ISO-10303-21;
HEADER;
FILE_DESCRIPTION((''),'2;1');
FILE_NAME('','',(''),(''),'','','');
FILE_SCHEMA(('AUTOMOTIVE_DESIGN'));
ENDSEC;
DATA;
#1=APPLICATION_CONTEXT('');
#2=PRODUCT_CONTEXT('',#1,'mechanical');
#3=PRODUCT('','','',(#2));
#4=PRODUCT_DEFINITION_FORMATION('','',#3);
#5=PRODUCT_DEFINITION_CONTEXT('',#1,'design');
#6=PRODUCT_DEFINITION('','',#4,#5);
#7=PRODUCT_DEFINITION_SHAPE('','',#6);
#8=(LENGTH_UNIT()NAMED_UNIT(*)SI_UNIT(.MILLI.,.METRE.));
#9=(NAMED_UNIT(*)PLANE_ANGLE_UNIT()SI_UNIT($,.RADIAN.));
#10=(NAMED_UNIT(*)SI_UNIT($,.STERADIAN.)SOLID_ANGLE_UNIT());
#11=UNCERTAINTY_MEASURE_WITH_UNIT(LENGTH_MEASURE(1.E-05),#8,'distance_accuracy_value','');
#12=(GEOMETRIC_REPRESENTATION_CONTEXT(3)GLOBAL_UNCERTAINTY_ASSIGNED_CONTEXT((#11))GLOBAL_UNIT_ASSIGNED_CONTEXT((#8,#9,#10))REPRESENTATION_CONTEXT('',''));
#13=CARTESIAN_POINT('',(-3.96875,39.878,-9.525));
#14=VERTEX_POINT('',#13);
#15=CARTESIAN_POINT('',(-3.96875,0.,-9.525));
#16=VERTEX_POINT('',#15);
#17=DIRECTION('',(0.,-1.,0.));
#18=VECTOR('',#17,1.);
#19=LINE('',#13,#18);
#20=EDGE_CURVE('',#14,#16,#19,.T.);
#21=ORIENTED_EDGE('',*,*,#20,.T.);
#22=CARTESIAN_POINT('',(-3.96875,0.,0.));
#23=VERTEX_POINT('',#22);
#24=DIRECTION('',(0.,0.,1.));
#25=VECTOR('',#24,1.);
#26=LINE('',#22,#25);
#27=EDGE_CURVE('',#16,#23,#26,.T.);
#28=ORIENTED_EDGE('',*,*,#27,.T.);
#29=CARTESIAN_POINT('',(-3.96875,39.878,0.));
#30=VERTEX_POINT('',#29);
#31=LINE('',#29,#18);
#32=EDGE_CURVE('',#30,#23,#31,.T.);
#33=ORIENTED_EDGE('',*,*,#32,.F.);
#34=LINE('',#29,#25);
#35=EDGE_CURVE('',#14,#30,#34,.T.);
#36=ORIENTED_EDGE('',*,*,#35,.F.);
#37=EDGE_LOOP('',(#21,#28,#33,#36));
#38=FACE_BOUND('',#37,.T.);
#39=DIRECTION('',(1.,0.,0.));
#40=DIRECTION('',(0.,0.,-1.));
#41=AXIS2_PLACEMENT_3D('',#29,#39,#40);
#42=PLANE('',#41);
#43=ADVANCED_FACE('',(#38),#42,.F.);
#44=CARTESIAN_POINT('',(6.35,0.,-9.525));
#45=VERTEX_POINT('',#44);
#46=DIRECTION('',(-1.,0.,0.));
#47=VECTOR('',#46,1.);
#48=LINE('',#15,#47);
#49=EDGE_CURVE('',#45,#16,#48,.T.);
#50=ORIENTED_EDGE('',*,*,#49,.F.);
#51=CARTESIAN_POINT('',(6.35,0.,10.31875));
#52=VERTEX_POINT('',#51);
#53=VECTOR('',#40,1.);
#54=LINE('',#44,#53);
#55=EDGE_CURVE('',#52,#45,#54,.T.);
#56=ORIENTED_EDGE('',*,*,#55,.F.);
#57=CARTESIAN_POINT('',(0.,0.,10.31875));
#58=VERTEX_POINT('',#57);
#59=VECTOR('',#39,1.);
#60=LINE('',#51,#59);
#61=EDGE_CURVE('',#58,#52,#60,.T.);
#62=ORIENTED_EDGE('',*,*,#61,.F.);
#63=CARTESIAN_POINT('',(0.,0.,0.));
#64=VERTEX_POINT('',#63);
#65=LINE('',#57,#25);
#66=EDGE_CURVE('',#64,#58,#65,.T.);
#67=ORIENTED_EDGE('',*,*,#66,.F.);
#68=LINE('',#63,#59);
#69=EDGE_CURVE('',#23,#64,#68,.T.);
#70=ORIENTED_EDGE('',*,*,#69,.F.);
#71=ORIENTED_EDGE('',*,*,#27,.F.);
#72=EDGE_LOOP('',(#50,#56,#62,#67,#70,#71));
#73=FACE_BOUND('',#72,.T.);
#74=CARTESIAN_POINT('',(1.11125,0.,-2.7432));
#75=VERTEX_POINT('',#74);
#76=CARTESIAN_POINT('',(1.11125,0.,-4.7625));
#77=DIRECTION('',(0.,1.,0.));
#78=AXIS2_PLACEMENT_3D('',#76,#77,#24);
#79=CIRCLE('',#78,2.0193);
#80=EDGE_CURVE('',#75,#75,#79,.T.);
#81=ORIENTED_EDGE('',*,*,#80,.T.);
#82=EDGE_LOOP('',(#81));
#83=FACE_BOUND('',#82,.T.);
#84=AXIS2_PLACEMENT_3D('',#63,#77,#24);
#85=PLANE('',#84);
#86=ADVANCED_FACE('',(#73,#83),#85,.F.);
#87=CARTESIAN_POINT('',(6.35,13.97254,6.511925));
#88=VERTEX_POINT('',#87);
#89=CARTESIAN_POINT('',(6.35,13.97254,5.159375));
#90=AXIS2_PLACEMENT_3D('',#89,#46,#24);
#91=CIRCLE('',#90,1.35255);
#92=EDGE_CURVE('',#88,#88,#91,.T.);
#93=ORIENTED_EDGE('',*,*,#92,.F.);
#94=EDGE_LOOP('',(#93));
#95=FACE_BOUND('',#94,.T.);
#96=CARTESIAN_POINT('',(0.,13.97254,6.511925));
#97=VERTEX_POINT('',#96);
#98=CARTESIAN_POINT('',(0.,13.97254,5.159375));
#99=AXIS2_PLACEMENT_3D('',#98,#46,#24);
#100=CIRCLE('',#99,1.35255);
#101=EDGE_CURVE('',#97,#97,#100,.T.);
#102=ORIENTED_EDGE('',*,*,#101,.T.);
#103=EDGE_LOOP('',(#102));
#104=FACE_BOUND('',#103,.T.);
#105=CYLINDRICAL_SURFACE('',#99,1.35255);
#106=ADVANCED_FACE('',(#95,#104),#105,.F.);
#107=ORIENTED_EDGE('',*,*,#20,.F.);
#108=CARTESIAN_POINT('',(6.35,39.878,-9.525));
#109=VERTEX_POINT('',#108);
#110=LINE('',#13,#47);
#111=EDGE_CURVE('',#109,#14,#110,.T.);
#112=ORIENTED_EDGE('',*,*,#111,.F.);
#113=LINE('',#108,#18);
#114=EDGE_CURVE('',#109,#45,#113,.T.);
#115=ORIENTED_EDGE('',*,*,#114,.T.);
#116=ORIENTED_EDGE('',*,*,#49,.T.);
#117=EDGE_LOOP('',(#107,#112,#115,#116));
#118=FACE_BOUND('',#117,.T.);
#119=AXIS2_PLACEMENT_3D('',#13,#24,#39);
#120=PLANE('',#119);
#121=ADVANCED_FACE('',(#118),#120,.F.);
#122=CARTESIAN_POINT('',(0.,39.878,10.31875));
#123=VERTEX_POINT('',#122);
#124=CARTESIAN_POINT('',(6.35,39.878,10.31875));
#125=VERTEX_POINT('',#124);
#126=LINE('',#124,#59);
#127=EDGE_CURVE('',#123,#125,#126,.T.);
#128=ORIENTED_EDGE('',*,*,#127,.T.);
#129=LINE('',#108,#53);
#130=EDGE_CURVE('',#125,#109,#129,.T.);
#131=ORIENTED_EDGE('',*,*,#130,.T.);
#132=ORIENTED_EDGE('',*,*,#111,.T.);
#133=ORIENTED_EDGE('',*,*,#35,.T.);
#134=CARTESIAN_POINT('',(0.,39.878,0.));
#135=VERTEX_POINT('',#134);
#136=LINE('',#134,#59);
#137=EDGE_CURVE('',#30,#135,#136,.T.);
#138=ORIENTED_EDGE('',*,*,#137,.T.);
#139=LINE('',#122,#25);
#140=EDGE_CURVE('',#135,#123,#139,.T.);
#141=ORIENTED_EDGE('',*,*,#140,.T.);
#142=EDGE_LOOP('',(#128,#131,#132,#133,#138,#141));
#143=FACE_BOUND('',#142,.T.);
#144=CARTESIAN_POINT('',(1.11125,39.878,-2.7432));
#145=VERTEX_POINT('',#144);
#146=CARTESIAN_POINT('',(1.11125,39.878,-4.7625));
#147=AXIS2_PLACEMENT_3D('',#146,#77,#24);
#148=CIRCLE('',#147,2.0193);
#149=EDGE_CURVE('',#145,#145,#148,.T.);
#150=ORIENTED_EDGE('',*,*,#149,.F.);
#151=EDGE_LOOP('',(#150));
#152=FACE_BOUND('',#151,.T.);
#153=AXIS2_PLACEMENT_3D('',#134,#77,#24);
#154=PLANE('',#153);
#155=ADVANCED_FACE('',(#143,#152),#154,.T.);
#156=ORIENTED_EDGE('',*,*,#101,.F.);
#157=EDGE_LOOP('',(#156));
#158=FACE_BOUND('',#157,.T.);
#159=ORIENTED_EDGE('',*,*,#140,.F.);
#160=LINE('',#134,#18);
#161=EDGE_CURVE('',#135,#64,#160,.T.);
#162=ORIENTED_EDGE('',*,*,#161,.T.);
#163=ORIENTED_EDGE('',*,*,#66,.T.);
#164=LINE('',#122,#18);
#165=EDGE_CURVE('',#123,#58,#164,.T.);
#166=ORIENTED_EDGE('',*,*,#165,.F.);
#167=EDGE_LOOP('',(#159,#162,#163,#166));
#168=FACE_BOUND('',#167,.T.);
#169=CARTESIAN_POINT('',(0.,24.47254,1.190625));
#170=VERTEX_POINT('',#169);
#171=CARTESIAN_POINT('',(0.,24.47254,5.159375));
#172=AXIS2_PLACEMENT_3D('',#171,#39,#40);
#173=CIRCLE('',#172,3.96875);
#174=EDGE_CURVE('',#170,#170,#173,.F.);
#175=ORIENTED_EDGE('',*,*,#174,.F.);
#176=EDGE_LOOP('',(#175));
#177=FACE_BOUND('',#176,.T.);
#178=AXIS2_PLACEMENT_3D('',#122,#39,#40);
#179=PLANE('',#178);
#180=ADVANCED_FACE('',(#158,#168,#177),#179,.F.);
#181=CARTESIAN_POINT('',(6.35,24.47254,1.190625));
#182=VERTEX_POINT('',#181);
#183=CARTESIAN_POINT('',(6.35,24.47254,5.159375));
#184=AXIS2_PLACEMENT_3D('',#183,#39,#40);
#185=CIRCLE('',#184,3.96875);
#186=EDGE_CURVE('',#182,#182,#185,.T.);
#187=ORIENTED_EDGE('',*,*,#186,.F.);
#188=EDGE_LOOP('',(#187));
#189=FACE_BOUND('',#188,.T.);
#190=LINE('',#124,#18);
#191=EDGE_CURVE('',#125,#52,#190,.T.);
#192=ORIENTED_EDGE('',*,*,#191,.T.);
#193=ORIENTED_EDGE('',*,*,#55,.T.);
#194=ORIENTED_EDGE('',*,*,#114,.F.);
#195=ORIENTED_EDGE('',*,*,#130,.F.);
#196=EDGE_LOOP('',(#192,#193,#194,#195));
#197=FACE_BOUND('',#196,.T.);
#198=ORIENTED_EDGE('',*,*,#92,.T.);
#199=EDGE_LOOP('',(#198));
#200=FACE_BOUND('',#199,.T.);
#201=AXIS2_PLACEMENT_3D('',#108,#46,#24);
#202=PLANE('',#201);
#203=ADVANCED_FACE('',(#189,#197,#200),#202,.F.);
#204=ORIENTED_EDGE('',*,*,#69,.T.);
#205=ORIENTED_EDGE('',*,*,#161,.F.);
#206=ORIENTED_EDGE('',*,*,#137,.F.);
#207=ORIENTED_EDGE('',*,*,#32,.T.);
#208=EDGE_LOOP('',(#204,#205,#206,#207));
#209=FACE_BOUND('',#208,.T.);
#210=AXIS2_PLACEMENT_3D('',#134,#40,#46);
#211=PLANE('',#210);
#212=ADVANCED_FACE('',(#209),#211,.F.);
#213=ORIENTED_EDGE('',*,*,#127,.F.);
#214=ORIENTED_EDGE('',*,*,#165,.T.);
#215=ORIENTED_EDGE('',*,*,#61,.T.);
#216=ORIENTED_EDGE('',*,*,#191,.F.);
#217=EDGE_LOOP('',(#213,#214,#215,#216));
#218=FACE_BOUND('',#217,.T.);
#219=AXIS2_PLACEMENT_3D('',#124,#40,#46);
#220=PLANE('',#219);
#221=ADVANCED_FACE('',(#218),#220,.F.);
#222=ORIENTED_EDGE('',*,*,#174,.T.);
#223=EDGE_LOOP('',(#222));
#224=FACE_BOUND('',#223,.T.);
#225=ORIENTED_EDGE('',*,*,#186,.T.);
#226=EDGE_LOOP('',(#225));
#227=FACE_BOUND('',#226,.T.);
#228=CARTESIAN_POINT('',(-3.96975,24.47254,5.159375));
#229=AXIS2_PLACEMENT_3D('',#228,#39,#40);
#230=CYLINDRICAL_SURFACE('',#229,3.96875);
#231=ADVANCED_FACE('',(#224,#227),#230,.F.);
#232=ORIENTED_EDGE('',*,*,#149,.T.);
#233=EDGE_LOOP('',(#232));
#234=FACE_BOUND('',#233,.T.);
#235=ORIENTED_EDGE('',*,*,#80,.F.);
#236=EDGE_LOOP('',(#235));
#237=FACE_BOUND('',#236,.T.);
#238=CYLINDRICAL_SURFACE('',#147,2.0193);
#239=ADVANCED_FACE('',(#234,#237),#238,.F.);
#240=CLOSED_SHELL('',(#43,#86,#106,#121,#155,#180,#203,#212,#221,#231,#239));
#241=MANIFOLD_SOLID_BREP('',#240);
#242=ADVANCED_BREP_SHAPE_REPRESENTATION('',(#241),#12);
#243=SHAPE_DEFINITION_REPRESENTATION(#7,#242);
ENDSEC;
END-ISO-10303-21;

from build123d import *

# Parameters (mm, degrees)
BOSS_EXTRUDE1_DEPTH        = 39.878
F_10_32_TAPPED_HOLE1_D     = 4.0386
F_10_32_TAPPED_HOLE1_DEPTH = 39.878
F_6_32_TAPPED_HOLE1_D      = 2.7051
F_6_32_TAPPED_HOLE1_DEPTH  = 6.35
CUT_EXTRUDE1_REACH         = 12.319
SKETCH10_R                 = 3.96875


with BuildPart() as part:
    # Sketch1 → Boss-Extrude1 (new body)
    with BuildSketch(Plane(origin=(0, 0, 0), x_dir=(1, 0, 0), z_dir=(0, 1, 0))):
        Polygon((0, 0), (-3.96875, 0), (-3.96875, 9.525), (6.35, 9.525), (6.35, -10.31875), (0, -10.31875), align=None)
    extrude(amount=BOSS_EXTRUDE1_DEPTH)

    # #10-32 Tapped Hole1
    with Locations(Plane(origin=(0, 39.878, 0), x_dir=(1, 0, 0), z_dir=(0, 1, 0))):
        with Locations((1.11125, 4.7625)):
            Hole(F_10_32_TAPPED_HOLE1_D / 2, depth=F_10_32_TAPPED_HOLE1_DEPTH)

    # #6-32 Tapped Hole1
    with Locations(Plane.ZY):
        with Locations((5.159375, 13.97254)):
            Hole(F_6_32_TAPPED_HOLE1_D / 2, depth=F_6_32_TAPPED_HOLE1_DEPTH)

    # Sketch10 → Cut-Extrude1 (cut, up to next)
    with BuildSketch(Plane(origin=(6.35, 0, 0), x_dir=(0, 0, -1), z_dir=(1, 0, 0)), mode=Mode.PRIVATE) as cut_extrude1_sk1:
        with Locations((-5.159375, 24.47254)):
            Circle(SKETCH10_R)
    cut_extrude1_tool1 = extrude(cut_extrude1_sk1.sketch, amount=-CUT_EXTRUDE1_REACH, mode=Mode.PRIVATE) & part.part
    add(cut_extrude1_tool1.solids().sort_by_distance((6.35, 24.47254, 5.159375))[0], mode=Mode.SUBTRACT)


solid = part.part
